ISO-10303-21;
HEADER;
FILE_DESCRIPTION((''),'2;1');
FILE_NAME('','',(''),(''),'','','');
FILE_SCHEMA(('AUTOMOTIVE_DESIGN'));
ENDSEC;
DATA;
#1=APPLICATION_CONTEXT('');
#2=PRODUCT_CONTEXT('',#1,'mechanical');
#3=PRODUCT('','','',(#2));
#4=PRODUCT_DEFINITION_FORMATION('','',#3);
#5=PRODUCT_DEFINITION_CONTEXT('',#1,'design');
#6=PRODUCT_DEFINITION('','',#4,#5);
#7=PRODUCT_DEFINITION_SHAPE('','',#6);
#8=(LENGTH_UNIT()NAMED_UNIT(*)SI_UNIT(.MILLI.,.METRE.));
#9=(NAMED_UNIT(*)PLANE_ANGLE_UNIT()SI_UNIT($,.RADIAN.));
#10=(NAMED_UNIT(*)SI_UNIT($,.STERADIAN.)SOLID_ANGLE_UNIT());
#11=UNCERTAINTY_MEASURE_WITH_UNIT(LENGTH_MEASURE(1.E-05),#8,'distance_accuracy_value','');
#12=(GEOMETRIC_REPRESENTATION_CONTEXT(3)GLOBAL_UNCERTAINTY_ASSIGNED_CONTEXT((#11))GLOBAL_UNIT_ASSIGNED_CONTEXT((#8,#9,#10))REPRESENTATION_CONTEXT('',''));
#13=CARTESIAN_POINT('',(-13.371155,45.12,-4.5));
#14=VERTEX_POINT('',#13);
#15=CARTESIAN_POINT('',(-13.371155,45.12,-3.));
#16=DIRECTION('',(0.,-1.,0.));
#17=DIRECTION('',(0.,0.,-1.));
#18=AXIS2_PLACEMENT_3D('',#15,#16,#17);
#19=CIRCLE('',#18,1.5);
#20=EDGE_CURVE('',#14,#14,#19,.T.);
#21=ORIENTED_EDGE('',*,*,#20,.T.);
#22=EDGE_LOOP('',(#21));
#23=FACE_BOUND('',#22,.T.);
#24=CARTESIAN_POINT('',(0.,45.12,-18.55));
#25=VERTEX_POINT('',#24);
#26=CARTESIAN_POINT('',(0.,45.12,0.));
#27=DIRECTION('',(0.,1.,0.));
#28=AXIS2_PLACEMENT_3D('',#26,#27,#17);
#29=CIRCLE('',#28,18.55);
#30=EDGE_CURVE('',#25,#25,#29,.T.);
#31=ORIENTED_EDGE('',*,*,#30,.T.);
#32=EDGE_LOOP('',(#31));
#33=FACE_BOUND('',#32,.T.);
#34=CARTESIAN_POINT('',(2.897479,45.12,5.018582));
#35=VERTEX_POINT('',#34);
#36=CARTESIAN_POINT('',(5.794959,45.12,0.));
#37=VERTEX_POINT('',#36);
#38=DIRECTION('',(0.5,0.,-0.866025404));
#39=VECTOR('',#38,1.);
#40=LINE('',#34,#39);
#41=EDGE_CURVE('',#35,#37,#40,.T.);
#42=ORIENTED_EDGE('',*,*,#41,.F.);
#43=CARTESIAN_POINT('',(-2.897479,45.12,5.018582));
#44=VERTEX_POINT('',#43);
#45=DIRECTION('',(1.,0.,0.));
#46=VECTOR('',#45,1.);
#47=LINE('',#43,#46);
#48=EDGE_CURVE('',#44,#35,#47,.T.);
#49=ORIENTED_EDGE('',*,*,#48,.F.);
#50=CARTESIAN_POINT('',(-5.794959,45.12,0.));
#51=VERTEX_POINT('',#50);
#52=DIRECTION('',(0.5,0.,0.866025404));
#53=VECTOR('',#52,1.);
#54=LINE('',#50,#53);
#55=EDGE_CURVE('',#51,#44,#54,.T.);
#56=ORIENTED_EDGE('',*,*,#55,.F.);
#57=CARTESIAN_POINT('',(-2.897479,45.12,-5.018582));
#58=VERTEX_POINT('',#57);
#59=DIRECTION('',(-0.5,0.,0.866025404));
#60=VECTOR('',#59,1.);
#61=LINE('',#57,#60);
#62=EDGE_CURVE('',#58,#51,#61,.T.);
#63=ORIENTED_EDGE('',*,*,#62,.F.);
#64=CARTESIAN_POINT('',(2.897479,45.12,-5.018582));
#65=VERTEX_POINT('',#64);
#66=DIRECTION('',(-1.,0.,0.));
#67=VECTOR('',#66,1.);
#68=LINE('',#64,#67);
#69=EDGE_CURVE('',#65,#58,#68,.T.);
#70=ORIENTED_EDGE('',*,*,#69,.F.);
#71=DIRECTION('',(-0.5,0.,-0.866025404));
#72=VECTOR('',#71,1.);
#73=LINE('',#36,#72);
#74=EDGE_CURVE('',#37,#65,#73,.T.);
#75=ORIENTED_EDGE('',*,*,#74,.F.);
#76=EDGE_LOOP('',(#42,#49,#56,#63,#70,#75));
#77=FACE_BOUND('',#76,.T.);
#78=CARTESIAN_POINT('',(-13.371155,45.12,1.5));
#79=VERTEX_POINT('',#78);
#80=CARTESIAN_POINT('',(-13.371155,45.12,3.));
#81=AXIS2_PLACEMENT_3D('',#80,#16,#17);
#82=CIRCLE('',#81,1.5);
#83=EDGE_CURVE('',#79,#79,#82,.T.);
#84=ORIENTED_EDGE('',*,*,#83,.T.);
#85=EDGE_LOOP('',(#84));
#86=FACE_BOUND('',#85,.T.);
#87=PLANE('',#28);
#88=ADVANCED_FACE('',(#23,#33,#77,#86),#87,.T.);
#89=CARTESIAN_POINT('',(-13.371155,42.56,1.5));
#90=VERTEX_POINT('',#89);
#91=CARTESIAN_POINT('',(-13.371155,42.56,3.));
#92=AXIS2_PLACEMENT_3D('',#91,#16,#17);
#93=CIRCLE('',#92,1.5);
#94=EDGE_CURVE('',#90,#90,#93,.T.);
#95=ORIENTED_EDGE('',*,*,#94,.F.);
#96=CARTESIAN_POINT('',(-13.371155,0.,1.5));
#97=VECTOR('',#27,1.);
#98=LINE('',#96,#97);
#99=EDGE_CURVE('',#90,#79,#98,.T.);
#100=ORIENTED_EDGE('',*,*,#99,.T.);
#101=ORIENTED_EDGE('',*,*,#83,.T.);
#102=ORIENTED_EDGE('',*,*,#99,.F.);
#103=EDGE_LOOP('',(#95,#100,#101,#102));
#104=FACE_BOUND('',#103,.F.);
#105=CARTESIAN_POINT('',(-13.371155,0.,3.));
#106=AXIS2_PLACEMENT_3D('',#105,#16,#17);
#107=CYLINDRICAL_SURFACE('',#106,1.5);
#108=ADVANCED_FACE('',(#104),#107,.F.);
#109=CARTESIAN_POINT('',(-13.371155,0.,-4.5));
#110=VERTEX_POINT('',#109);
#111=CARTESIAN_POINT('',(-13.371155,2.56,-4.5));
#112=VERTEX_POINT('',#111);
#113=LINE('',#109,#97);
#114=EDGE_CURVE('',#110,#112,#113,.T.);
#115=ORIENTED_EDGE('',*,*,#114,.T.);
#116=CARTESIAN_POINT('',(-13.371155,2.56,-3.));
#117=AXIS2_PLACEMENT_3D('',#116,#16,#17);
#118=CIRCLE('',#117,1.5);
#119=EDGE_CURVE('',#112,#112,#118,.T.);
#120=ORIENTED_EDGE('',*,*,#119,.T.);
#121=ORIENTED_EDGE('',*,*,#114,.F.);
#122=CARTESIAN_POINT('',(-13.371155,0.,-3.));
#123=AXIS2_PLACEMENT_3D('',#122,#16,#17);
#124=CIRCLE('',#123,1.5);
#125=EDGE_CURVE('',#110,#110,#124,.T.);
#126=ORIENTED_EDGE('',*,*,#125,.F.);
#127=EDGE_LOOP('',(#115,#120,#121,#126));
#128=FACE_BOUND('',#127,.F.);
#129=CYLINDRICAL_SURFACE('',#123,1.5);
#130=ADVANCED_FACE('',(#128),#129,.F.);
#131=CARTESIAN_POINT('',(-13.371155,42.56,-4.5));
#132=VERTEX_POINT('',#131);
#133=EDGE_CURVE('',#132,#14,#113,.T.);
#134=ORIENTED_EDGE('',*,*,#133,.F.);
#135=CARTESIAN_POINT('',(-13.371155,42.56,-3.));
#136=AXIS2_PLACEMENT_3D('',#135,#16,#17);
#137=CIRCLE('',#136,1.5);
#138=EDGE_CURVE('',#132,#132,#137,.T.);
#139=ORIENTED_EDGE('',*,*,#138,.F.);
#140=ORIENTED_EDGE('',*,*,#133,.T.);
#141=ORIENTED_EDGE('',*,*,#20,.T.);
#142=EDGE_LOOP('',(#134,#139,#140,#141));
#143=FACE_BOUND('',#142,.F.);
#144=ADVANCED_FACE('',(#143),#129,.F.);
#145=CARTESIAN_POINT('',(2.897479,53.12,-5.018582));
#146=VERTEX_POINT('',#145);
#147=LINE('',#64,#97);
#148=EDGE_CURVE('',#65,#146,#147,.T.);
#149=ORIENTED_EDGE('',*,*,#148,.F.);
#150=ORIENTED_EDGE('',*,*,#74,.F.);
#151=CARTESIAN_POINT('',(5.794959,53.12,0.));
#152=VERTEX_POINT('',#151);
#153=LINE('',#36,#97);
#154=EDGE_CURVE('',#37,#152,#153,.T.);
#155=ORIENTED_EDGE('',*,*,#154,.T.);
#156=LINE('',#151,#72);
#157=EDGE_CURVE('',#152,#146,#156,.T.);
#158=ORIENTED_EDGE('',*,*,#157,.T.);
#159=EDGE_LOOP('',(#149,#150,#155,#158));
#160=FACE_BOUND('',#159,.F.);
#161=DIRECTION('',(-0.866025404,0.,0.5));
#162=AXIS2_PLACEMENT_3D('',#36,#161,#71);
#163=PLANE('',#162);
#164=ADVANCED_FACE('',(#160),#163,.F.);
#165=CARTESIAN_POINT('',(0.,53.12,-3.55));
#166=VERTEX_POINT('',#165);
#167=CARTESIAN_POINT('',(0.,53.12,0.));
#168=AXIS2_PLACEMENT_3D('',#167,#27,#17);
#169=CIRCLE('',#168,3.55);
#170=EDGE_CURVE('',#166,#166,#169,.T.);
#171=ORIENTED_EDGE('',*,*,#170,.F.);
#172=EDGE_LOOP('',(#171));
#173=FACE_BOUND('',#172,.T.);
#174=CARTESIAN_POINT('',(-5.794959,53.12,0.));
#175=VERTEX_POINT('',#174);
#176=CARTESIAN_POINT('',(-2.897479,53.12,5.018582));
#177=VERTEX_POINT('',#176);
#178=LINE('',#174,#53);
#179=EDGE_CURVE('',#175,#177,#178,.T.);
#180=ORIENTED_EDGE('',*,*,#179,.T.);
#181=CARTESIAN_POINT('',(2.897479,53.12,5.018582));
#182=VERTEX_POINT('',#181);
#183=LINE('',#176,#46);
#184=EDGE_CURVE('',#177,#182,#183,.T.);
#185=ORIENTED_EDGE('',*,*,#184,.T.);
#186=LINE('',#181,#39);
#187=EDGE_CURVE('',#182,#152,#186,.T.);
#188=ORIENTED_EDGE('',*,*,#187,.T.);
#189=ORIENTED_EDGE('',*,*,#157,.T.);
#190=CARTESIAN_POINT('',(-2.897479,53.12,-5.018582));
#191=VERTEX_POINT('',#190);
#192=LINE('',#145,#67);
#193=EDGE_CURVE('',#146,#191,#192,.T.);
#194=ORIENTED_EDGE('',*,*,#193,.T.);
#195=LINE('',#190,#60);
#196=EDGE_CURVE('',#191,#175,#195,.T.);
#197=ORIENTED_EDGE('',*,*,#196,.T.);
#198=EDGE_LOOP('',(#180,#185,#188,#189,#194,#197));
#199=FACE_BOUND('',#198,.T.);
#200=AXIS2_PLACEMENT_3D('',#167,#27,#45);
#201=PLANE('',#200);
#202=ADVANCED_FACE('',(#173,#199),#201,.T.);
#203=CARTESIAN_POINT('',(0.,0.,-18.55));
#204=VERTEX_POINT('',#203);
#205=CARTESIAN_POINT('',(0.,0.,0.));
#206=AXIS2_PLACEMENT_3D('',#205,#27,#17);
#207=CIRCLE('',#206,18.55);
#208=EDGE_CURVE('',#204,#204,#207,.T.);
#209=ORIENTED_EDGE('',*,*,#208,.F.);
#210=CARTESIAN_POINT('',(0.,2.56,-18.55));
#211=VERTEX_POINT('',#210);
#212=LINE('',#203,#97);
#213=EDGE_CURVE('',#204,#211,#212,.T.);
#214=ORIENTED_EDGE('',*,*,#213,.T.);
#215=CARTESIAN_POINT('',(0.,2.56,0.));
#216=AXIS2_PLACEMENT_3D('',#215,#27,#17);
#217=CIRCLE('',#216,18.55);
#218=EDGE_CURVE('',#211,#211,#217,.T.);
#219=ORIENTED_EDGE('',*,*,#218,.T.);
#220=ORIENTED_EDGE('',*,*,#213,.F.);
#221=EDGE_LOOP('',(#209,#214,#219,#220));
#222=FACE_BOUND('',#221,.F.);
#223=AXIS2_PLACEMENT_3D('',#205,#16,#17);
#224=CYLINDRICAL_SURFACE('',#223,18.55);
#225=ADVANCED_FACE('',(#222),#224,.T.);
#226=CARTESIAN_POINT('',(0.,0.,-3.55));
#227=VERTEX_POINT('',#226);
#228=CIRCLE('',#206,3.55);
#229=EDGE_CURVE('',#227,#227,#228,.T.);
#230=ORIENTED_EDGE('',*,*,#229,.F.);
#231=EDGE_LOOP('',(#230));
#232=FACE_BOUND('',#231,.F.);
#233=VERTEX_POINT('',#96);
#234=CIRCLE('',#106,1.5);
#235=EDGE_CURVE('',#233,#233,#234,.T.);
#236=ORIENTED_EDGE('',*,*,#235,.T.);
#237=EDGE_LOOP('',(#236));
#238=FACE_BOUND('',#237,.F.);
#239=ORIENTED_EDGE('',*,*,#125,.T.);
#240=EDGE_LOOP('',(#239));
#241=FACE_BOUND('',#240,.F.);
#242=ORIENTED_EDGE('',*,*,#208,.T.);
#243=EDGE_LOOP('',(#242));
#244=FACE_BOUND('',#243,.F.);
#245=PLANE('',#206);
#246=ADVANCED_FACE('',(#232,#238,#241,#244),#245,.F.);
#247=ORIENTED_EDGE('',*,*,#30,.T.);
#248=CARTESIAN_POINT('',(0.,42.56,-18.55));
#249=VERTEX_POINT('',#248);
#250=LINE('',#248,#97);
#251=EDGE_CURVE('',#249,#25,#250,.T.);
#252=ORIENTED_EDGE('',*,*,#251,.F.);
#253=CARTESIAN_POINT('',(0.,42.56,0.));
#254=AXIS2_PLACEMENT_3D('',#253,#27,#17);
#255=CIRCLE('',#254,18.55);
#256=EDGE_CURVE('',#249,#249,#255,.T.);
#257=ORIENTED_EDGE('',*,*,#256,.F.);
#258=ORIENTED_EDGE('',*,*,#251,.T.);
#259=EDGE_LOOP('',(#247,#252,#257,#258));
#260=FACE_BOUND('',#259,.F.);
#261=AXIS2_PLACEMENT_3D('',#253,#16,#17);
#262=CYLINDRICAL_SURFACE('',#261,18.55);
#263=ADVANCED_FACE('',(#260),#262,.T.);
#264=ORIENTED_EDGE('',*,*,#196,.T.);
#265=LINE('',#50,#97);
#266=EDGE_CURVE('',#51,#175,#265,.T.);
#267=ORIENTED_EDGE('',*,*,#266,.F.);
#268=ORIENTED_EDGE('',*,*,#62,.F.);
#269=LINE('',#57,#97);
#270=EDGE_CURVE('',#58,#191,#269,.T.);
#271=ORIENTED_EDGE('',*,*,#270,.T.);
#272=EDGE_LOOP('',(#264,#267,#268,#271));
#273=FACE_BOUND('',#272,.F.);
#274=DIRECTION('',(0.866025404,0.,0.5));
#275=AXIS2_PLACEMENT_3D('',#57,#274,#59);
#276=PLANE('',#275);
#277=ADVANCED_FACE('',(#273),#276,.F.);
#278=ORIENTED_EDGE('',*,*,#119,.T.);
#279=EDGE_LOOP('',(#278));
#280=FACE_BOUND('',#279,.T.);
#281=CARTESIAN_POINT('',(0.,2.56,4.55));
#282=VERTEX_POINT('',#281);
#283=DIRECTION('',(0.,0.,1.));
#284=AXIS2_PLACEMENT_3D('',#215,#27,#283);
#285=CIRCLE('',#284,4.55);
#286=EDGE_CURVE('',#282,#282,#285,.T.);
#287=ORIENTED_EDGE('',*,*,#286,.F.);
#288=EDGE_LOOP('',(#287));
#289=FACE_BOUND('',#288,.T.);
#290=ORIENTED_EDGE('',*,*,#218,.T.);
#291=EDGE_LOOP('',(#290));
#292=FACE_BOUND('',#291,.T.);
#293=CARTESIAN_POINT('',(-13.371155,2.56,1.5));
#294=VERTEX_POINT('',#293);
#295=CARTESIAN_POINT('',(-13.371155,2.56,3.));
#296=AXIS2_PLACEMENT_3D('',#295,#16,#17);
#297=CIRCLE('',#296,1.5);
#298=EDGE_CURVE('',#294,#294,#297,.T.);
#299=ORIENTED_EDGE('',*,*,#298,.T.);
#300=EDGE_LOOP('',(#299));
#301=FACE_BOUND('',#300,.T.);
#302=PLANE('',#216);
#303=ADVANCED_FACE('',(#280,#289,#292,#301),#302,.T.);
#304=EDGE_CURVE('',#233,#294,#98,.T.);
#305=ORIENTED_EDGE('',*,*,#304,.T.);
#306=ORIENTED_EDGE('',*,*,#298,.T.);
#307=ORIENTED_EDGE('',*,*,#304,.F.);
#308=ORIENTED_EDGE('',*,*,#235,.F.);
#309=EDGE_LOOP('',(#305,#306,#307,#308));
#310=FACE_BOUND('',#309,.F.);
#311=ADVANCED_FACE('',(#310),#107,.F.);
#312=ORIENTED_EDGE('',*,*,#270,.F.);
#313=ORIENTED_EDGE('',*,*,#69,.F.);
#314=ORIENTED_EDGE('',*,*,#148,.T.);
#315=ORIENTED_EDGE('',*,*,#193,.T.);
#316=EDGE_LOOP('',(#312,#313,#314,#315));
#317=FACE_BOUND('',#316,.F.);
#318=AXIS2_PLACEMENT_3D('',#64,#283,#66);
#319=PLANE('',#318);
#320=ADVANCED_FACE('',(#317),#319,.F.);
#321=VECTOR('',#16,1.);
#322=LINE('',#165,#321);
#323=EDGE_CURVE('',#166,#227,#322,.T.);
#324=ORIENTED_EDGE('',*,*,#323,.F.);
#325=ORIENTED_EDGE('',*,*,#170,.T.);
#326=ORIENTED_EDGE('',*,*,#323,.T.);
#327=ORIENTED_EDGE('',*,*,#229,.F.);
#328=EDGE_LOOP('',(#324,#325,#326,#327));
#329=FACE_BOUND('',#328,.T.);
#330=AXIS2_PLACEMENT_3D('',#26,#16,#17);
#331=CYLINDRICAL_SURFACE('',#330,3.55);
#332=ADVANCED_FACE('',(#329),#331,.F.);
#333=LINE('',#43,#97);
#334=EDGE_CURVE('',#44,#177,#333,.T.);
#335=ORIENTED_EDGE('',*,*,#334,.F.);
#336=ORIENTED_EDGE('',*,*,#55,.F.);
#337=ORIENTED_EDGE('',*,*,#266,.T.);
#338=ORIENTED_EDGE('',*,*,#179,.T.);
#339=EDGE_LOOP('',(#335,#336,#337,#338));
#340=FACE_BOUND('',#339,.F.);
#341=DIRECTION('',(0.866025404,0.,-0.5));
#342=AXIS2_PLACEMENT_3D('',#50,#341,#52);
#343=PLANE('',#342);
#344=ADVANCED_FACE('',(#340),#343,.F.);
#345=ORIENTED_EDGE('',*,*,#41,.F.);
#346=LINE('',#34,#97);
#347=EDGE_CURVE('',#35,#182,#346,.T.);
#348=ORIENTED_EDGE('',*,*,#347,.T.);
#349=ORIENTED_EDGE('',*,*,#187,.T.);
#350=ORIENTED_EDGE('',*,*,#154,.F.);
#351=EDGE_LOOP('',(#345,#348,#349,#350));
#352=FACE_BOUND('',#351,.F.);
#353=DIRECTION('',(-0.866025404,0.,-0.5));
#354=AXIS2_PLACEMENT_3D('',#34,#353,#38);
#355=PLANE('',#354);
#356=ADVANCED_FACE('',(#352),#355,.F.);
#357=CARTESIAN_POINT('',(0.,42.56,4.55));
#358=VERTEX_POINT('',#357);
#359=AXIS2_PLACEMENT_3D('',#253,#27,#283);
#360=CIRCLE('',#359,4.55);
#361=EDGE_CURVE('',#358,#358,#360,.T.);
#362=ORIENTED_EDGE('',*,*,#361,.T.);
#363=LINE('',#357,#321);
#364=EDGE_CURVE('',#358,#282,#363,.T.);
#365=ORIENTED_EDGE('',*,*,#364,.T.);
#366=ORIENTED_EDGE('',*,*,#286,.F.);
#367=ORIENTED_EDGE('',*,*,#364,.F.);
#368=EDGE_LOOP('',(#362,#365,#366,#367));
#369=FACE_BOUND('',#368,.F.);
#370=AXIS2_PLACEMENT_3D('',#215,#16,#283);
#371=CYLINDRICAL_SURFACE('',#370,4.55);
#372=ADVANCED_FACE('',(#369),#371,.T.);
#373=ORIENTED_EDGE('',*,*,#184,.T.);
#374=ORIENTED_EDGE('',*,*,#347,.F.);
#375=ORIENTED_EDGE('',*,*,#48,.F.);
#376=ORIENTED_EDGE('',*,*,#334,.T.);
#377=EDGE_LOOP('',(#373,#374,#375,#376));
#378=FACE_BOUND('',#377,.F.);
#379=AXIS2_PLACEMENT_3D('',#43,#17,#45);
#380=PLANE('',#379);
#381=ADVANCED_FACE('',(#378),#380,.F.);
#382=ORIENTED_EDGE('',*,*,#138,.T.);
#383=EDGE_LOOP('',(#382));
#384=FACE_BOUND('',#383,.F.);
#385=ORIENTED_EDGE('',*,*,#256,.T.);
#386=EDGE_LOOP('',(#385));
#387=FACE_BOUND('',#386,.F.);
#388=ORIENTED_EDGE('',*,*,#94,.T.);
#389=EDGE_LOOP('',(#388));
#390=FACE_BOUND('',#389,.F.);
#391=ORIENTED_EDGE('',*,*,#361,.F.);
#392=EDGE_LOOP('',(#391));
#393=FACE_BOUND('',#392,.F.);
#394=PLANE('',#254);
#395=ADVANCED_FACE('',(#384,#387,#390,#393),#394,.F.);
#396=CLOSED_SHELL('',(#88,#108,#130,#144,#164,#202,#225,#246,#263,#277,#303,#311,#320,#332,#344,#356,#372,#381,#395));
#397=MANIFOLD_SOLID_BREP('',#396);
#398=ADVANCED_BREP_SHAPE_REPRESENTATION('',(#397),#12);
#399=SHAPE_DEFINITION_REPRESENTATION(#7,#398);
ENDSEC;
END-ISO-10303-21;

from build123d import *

# Parameters (mm, degrees)
SKETCH1_R               = 18.55
SKETCH1_R_2             = 3.55
BOSS_EXTRUDE1_DEPTH     = 2.56
SKETCH2_R               = 4.55
SKETCH2_R_2             = 3.55
BOSS_EXTRUDE2_DEPTH     = 20
SKETCH5_R               = 18.55
SKETCH5_R_2             = 3.55
BOSS_EXTRUDE3_DEPTH     = 2.56
SKETCH6_R               = 3.55
BOSS_EXTRUDE4_DEPTH     = 8
SKETCH7_R               = 1.5
CUT_EXTRUDE1_DEPTH      = 60.244741539
CUT_EXTRUDE1_DEPTH_BACK = 60.244741539


with BuildPart() as part:
    # Sketch1 → Boss-Extrude1 (new body)
    with BuildSketch(Plane(origin=(0, 0, 0), x_dir=(1, 0, 0), z_dir=(0, 1, 0))):
        with Locations(Location((0, 0, 0), (0, 0, 90))):
            Circle(SKETCH1_R)
        with Locations(Location((0, 0, 0), (0, 0, 90))):
            Circle(SKETCH1_R_2, mode=Mode.SUBTRACT)
    extrude(amount=BOSS_EXTRUDE1_DEPTH)

    # Sketch2 → Boss-Extrude2 (add)
    with BuildSketch(Plane(origin=(0, 2.56, 0), x_dir=(1, 0, 0), z_dir=(0, 1, 0))):
        with Locations(Location((0, 0, 0), (0, 0, 270))):
            Circle(SKETCH2_R)
        with Locations(Location((0, 0, 0), (0, 0, 90))):
            Circle(SKETCH2_R_2, mode=Mode.SUBTRACT)
    boss_extrude2 = extrude(amount=BOSS_EXTRUDE2_DEPTH)

    # Mirror1: Boss-Extrude2 across plane
    add(boss_extrude2.mirror(Plane.ZX.offset(22.56)))

    # Sketch5 → Boss-Extrude3 (add)
    with BuildSketch(Plane(origin=(0, 42.56, 0), x_dir=(1, 0, 0), z_dir=(0, 1, 0))):
        with Locations(Location((0, 0, 0), (0, 0, 90))):
            Circle(SKETCH5_R)
        with Locations(Location((0, 0, 0), (0, 0, 90))):
            Circle(SKETCH5_R_2, mode=Mode.SUBTRACT)
    extrude(amount=BOSS_EXTRUDE3_DEPTH)

    # Sketch6 → Boss-Extrude4 (add)
    with BuildSketch(Plane(origin=(0, 45.12, 0), x_dir=(1, 0, 0), z_dir=(0, 1, 0))):
        Polygon((-5.794958779, 0), (-2.897479389, -5.018581516), (2.897479389, -5.018581516), (5.794958779, 0), (2.897479389, 5.018581516), (-2.897479389, 5.018581516), align=None)
        with Locations(Location((0, 0, 0), (0, 0, 90))):
            Circle(SKETCH6_R, mode=Mode.SUBTRACT)
    extrude(amount=BOSS_EXTRUDE4_DEPTH)

    # Sketch7 → Cut-Extrude1 (cut, two sides)
    with BuildSketch(Plane.XZ) as cut_extrude1_sk:
        with Locations(Location((-13.371154887, -3, 0), (0, 0, 270))):
            Circle(SKETCH7_R)
        with Locations(Location((-13.371154887, 3, 0), (0, 0, 270))):
            Circle(SKETCH7_R)
    extrude(amount=CUT_EXTRUDE1_DEPTH, mode=Mode.SUBTRACT)
    extrude(cut_extrude1_sk.sketch, amount=-CUT_EXTRUDE1_DEPTH_BACK, mode=Mode.SUBTRACT)


solid = part.part
